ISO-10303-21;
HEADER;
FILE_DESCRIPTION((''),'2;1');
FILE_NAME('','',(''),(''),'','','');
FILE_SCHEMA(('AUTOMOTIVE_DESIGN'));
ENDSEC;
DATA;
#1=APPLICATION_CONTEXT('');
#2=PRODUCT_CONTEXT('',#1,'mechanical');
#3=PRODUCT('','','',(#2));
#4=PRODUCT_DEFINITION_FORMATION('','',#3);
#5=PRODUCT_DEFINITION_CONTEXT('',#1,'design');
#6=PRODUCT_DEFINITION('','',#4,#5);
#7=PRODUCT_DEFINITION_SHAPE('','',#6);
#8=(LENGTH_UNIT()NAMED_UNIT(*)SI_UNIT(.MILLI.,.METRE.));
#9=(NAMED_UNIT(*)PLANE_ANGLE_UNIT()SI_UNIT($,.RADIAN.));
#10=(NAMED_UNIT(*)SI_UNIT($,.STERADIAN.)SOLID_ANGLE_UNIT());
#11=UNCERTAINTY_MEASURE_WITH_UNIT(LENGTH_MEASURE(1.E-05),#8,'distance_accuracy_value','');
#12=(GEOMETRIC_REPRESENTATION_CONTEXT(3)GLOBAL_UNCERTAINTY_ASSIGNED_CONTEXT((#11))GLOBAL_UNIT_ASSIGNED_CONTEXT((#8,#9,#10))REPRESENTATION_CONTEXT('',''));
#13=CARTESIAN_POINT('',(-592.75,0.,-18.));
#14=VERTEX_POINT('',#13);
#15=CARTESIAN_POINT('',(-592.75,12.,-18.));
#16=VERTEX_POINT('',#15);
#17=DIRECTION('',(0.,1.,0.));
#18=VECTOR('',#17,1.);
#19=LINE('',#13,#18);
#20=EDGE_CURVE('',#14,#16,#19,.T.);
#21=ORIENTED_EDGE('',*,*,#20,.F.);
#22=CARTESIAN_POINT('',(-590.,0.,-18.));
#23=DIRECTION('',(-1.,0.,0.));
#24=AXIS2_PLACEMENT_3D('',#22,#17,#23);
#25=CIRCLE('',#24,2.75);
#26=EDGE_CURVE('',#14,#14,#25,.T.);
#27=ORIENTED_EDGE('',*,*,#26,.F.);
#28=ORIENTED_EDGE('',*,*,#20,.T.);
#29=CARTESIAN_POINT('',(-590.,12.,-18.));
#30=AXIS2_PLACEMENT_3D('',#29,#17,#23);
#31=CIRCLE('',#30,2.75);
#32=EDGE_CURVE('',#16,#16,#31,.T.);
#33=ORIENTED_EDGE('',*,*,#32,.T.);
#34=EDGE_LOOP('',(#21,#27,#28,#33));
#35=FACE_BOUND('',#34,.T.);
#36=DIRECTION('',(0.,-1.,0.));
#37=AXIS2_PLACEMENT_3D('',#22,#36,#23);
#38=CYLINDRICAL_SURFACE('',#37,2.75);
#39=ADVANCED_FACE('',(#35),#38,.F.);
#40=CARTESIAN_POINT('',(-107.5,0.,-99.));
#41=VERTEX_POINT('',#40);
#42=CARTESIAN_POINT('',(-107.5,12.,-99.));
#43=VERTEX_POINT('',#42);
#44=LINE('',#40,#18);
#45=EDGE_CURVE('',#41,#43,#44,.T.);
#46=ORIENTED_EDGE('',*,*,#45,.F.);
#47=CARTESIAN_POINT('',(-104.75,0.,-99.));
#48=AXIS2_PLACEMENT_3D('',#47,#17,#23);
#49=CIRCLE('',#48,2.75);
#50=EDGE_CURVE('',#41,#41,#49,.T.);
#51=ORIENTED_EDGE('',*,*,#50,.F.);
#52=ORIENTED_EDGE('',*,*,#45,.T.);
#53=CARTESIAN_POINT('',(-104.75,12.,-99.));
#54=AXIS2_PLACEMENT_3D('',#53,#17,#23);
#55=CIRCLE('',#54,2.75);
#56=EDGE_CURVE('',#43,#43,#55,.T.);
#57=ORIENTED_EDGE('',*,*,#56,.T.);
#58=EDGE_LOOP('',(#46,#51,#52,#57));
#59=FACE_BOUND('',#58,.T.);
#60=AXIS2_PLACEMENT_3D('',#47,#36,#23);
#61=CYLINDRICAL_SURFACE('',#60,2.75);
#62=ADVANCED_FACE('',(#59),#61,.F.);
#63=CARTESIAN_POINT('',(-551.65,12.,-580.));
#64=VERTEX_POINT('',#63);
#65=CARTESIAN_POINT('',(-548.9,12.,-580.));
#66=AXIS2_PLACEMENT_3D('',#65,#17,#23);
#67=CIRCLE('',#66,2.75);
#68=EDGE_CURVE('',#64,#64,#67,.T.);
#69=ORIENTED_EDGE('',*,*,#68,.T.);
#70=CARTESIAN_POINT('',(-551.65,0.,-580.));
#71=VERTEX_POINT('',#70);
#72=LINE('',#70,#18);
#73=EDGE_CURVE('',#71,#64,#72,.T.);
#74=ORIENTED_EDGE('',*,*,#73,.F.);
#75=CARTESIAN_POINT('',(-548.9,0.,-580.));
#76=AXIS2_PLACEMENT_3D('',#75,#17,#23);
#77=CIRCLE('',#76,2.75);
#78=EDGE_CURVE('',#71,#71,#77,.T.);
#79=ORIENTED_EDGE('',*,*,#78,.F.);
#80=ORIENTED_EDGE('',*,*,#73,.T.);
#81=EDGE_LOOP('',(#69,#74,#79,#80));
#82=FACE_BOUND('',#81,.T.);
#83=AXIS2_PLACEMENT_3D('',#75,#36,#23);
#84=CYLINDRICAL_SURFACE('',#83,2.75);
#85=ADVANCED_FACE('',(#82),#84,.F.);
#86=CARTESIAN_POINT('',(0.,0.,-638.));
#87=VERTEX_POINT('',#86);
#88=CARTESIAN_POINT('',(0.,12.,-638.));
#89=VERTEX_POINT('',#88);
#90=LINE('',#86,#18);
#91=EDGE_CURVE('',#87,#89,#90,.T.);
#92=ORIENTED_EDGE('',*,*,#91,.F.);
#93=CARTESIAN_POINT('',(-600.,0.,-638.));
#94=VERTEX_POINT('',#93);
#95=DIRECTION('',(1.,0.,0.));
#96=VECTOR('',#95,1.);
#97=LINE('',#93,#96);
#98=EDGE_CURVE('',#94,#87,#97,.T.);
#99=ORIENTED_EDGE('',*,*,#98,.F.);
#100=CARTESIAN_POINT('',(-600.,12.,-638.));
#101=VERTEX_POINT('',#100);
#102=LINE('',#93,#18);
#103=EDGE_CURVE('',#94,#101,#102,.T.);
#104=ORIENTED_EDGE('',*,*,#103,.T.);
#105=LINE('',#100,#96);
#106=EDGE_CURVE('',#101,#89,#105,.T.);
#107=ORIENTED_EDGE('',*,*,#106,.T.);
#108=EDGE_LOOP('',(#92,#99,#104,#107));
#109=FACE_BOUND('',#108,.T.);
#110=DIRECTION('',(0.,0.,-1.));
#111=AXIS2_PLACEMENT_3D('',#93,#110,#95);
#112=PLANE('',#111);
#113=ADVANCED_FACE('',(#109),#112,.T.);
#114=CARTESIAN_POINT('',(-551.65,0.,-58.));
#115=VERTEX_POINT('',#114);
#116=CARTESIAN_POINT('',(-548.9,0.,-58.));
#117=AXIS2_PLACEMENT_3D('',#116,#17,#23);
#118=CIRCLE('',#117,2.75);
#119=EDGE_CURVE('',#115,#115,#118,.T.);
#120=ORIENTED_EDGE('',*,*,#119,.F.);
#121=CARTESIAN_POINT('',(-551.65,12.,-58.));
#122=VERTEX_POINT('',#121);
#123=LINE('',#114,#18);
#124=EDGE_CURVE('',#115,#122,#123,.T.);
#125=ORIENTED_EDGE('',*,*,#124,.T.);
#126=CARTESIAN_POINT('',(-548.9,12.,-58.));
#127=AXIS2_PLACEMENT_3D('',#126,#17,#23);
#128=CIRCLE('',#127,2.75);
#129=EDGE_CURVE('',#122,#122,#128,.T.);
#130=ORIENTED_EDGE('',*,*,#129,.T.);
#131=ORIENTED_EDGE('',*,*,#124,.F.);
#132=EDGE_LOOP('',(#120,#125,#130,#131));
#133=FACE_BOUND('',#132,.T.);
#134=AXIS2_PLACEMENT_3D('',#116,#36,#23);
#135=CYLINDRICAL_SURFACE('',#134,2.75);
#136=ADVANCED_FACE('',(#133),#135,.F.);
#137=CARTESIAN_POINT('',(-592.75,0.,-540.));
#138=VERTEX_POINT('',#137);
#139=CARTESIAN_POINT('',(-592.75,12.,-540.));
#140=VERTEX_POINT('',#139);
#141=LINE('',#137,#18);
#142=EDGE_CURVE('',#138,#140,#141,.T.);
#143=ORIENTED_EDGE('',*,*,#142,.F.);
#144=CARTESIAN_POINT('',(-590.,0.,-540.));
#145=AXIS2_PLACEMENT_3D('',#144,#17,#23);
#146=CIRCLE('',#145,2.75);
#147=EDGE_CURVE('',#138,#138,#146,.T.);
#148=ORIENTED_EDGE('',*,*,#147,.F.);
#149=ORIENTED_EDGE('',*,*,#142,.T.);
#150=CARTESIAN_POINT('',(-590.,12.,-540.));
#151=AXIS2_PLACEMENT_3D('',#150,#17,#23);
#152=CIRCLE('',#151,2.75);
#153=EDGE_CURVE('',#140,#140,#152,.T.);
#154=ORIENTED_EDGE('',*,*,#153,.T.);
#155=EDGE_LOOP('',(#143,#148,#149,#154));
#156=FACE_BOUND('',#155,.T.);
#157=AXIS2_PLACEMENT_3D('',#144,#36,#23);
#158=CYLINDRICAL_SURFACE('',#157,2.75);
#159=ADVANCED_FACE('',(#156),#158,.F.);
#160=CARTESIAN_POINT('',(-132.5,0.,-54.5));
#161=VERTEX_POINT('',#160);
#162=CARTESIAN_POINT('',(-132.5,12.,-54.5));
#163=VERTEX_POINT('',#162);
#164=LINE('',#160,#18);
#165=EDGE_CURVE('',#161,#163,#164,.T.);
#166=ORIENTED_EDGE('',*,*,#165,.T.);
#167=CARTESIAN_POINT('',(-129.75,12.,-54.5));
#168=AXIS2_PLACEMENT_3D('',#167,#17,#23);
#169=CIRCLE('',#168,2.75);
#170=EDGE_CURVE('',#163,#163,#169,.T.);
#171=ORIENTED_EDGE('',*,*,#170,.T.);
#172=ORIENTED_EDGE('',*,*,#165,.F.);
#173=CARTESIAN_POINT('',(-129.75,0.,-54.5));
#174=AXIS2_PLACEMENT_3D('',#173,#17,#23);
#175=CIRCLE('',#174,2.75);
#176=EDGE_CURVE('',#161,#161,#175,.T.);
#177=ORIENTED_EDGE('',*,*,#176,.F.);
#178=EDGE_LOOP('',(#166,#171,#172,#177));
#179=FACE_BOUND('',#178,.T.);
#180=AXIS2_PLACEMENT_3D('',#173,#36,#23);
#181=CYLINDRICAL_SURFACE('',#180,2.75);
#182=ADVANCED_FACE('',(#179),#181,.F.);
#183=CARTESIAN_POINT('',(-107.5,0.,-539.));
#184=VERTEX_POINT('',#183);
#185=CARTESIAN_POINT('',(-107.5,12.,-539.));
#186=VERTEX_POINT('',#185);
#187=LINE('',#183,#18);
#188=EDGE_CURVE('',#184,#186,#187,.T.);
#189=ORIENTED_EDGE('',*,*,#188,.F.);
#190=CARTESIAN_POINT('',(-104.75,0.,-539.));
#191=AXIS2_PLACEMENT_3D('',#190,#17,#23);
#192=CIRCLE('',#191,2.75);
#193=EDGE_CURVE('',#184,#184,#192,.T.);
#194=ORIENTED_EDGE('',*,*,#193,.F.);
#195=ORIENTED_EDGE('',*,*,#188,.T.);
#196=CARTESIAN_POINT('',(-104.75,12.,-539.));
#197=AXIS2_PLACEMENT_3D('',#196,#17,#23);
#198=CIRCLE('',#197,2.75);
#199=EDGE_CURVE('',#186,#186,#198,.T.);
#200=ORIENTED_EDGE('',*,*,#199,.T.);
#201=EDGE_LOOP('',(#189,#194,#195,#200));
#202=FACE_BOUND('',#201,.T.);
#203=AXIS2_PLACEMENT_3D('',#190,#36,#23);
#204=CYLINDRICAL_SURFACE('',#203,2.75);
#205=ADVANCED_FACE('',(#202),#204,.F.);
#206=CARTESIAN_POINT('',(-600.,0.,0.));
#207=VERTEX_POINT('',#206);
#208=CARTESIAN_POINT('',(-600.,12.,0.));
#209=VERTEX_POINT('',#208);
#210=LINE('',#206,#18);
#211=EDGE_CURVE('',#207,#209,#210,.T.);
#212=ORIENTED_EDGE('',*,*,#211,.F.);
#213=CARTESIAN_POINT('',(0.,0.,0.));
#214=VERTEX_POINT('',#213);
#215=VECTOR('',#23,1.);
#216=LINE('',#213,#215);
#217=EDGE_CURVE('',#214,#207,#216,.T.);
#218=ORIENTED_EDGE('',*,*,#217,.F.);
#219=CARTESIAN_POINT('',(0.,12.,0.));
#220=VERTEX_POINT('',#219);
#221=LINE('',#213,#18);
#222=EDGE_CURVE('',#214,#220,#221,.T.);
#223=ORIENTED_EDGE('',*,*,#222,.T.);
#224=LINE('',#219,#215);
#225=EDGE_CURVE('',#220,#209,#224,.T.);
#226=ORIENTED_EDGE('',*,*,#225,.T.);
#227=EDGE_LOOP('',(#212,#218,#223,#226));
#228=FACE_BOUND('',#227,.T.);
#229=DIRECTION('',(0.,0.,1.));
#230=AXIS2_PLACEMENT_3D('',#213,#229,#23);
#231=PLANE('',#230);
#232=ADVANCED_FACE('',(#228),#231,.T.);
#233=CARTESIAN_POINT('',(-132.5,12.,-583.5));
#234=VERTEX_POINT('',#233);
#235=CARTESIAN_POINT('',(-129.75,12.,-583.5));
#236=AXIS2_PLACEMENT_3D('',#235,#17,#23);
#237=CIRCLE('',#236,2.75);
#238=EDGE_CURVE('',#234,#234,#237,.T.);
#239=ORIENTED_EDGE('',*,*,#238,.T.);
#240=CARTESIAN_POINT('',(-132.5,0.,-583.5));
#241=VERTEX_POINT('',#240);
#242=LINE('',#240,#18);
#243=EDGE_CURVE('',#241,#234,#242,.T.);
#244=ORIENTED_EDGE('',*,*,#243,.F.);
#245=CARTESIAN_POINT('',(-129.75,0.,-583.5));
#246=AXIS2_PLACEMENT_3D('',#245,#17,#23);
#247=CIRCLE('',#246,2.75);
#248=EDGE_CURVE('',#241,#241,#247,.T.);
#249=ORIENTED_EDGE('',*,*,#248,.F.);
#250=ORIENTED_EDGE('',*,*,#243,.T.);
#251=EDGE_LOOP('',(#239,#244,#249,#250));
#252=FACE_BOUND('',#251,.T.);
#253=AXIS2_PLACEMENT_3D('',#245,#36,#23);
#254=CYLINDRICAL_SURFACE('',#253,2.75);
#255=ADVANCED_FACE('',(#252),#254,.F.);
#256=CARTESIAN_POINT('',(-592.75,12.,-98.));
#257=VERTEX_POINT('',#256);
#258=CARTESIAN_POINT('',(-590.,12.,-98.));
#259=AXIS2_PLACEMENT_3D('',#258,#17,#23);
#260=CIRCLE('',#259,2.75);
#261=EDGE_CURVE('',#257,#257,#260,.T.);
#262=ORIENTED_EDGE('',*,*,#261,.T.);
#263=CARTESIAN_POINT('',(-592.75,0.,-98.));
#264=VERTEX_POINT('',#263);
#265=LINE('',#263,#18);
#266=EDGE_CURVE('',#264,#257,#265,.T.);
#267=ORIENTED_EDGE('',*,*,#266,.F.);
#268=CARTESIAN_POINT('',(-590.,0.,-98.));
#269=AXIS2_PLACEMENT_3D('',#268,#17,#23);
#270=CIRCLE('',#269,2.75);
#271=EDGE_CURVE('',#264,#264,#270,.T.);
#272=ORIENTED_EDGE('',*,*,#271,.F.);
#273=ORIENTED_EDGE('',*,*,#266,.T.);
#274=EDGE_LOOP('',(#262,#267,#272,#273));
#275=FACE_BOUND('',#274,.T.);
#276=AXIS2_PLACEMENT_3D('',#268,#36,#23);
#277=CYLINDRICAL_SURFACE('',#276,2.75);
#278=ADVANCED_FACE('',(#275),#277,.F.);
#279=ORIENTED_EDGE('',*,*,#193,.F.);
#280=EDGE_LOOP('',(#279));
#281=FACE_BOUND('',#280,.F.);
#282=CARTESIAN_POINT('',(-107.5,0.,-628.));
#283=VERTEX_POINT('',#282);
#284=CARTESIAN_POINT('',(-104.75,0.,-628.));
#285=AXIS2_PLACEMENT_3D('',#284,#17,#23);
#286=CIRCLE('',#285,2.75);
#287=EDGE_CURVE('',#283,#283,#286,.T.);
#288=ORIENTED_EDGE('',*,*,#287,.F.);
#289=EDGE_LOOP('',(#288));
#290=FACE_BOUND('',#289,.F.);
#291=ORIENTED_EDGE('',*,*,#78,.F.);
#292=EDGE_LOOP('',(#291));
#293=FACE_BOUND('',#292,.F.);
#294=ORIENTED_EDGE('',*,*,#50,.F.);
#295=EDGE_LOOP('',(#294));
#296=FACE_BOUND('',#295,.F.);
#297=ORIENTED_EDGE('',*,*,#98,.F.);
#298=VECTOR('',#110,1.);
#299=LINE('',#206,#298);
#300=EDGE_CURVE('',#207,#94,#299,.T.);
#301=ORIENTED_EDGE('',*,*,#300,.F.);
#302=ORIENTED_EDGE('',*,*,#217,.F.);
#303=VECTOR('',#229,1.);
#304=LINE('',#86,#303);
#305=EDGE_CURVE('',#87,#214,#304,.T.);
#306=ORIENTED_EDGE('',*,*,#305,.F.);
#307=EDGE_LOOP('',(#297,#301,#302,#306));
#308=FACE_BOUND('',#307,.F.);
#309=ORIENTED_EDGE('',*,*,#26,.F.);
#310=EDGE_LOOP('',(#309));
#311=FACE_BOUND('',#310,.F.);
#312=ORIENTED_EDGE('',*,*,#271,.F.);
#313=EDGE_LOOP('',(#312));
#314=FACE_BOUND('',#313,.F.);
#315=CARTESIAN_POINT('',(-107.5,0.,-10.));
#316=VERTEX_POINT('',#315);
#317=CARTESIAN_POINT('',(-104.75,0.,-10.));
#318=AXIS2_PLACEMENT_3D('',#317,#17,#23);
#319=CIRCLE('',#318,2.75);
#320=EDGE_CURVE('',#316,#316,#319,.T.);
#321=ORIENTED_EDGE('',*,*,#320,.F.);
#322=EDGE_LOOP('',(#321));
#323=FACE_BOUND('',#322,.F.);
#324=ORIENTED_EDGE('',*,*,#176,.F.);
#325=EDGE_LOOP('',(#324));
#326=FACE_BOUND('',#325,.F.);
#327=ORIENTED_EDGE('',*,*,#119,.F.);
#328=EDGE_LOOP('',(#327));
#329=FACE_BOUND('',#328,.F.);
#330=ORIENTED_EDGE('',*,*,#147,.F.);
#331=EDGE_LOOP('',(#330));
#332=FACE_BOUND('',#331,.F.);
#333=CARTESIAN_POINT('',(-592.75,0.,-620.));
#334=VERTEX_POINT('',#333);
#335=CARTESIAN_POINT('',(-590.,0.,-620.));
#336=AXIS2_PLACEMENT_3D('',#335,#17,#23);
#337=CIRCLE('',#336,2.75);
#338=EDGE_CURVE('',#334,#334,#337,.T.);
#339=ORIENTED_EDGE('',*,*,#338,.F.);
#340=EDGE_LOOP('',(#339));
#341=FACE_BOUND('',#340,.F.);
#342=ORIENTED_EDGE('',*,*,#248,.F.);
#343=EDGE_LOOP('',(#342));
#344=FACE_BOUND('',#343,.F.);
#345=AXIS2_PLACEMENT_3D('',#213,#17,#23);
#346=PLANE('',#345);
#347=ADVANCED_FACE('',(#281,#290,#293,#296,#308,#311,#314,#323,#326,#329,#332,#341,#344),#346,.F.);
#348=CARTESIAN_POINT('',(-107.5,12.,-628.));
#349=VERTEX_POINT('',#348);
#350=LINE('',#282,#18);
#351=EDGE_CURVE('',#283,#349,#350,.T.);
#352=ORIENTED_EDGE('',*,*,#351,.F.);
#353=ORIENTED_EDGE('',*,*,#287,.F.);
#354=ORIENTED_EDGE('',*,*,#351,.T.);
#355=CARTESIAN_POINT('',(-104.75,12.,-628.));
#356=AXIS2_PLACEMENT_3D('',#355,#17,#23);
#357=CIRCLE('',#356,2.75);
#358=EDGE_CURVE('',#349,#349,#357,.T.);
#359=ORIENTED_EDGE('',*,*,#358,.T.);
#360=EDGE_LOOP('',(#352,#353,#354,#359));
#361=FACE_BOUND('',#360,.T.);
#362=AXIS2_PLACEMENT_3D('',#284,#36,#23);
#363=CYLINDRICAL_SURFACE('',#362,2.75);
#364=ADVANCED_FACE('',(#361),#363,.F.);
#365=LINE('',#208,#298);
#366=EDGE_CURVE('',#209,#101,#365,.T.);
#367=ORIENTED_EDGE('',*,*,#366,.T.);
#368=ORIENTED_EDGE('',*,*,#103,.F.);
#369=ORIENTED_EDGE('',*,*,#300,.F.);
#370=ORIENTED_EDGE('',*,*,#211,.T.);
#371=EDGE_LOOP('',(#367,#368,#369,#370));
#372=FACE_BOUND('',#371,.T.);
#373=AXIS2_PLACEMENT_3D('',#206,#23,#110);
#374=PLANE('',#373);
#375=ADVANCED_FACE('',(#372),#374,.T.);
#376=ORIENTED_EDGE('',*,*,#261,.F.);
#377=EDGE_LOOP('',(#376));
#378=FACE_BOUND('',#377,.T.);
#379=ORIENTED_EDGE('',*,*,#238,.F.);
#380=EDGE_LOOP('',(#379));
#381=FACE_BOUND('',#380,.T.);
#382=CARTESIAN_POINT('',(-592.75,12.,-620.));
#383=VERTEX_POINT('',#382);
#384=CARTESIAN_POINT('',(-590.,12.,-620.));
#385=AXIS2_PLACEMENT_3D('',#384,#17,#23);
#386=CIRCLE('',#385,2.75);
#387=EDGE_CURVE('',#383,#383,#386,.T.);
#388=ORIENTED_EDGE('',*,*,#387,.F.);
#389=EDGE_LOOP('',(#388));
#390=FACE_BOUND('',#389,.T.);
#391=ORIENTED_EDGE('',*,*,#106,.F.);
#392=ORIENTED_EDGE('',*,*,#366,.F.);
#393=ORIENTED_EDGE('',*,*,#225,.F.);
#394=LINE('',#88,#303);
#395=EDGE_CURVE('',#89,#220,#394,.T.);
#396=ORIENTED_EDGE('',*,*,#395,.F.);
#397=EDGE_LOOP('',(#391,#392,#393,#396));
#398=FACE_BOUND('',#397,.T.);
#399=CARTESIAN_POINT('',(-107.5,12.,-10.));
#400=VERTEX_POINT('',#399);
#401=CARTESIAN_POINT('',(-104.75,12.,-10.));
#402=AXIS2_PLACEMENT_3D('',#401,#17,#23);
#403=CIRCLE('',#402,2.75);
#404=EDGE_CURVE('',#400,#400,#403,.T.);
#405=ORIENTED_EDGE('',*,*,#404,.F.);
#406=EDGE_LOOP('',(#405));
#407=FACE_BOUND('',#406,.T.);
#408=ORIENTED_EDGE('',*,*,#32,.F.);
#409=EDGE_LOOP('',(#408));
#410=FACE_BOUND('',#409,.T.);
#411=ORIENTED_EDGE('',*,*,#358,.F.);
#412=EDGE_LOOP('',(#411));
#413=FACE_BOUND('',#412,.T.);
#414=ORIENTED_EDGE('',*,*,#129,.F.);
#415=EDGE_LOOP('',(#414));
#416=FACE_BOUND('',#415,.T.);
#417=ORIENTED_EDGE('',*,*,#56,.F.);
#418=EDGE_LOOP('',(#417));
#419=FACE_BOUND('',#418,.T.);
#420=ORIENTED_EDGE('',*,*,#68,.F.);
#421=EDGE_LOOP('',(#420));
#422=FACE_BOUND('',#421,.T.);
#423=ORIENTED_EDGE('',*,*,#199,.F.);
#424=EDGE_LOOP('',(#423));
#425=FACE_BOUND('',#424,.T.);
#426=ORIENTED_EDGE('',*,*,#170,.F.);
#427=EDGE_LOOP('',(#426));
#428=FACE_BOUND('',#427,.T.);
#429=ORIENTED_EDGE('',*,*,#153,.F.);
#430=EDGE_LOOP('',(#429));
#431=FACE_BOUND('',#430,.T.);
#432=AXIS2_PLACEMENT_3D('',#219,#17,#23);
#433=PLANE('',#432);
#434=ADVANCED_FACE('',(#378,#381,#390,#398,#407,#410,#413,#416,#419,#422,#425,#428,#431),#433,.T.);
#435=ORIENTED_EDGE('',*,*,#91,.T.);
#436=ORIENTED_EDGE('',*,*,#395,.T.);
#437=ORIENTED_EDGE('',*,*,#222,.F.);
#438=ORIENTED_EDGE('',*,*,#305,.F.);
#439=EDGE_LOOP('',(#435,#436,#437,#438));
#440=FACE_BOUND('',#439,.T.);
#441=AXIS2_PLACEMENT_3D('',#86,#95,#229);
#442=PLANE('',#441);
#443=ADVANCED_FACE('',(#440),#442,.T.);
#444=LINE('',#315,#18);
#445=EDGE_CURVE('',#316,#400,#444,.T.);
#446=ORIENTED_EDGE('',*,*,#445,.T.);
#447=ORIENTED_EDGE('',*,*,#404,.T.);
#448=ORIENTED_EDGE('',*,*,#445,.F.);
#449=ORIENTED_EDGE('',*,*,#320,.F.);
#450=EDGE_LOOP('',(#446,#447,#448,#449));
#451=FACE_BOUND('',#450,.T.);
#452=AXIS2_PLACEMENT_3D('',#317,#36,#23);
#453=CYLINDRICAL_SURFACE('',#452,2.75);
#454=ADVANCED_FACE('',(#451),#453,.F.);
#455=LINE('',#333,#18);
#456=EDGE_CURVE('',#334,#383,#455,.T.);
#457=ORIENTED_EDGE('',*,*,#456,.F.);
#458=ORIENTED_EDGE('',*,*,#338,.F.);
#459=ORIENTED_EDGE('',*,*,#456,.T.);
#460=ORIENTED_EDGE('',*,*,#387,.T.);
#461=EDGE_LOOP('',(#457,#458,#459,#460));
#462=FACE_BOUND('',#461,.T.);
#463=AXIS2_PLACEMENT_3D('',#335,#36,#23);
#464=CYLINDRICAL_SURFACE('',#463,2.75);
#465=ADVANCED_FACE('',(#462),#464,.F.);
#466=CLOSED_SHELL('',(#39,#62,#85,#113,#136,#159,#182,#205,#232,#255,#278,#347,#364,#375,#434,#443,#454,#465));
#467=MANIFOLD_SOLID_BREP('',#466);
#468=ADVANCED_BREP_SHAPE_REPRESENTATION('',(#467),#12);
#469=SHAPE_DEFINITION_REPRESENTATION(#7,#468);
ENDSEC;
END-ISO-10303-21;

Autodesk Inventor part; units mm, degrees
ref_plane "YZ Plane" through (0, 0, 0) normal (1, 0, 0) x (0, 1, 0)
ref_plane "XZ Plane" through (0, 0, 0) normal (0, 1, 0) x (-1, 0, 0)
ref_plane "XY Plane" through (0, 0, 0) normal (0, 0, 1) x (1, 0, 0)
sketch "Sketch1" plane through (0, 0, 0) normal (0, 1, 0) x (-1, 0, 0)
  line L0 (0, 0) -> (600, 0)
  line L1 (600, 0) -> (600, -638)
  line L2 (600, -638) -> (0, -638)
  line L3 (0, -638) -> (0, 0)
  circle A0 centre (104.75, -628) radius 2.75
  circle A1 centre (104.75, -539) radius 2.75
  circle A2 centre (129.75, -583.5) radius 2.75
  circle A3 centre (590, -620) radius 2.75
  circle A4 centre (590, -540) radius 2.75
  circle A5 centre (548.9, -580) radius 2.75
  line L4 (0, -319) -> (600, -319) construction
  circle A6 centre (104.75, -10) radius 2.75
  circle A7 centre (104.75, -99) radius 2.75
  circle A8 centre (129.75, -54.5) radius 2.75
  circle A9 centre (590, -18) radius 2.75
  circle A10 centre (590, -98) radius 2.75
  circle A11 centre (548.9, -58) radius 2.75
  dimension "d0" = 638
  dimension "d1" = 600
  dimension "d4" = 5.5
  dimension "d5" = 495.25
  dimension "d6" = 10
  dimension "d7" = 5.5
  dimension "d8" = 89
  dimension "d9" = 495.25
  dimension "d10" = 5.5
  dimension "d11" = 44.5
  dimension "d12" = 25
  dimension "d13" = 5.5
  dimension "d14" = 10
  dimension "d15" = 18
  dimension "d16" = 5.5
  dimension "d17" = 5.5
  dimension "d18" = 80
  dimension "d19" = 10
  dimension "d20" = 40
  dimension "d21" = 41.1
extrude "Extrusion1" add sketch "Sketch1" along normal blind 12
equation "\"d9\" = d5"
equation "\"d11\" = 0.5 * d8"
equation "\"d19\" = d14"
equation "\"d20\" = 0.5 * d18"
properties part number "MDFBase"
